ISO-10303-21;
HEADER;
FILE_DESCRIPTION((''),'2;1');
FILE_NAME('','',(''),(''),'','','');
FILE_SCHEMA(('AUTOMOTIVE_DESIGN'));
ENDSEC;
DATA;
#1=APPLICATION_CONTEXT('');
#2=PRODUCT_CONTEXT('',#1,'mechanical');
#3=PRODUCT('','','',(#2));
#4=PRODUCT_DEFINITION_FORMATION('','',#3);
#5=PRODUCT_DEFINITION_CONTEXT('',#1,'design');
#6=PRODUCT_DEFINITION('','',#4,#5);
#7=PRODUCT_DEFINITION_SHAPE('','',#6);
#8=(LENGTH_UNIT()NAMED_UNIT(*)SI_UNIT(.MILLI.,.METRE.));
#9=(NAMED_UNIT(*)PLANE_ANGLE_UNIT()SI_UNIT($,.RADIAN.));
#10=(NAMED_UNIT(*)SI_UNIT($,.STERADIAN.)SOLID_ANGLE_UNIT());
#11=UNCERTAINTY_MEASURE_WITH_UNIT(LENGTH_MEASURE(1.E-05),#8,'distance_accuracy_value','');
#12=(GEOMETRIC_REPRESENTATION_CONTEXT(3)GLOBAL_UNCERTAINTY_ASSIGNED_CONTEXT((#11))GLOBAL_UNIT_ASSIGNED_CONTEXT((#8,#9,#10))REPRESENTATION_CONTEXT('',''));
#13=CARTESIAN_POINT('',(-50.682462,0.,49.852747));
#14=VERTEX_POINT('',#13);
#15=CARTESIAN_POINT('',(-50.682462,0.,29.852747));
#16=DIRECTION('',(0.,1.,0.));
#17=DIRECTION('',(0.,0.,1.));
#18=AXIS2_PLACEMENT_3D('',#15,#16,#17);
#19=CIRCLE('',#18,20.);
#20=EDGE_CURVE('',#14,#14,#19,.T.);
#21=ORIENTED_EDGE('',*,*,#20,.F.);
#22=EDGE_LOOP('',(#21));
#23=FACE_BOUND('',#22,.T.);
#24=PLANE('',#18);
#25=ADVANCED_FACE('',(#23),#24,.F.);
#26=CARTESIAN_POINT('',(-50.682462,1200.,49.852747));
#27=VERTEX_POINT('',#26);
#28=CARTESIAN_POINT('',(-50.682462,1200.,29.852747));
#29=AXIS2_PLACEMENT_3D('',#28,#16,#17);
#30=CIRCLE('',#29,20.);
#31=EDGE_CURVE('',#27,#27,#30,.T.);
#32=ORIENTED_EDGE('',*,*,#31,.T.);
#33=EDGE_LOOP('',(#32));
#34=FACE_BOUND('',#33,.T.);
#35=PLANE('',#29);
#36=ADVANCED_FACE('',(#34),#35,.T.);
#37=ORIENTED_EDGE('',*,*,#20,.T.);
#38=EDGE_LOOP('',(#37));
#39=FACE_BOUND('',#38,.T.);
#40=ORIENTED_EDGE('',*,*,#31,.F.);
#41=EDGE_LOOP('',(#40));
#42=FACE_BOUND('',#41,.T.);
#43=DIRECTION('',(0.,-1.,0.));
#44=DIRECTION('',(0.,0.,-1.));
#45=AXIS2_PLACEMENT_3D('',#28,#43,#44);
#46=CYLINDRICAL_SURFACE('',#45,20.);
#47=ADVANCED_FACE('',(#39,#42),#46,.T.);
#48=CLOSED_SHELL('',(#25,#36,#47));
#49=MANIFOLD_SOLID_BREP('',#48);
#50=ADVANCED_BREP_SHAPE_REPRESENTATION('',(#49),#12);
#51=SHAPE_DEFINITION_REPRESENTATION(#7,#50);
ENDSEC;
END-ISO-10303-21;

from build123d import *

# Parameters (mm, degrees)
SKETCH7_R           = 20
BOSS_EXTRUDE6_DEPTH = 1200


with BuildPart() as part:
    # Sketch7 → Boss-Extrude6 (new body)
    with BuildSketch(Plane(origin=(6.787074037, 0, -8.53976463), x_dir=(1, 0, 0), z_dir=(0, 1, 0))):
        with Locations(Location((-57.469535774, -38.392511451, 0), (0, 0, 270))):
            Circle(SKETCH7_R)
    extrude(amount=BOSS_EXTRUDE6_DEPTH)


solid = part.part
